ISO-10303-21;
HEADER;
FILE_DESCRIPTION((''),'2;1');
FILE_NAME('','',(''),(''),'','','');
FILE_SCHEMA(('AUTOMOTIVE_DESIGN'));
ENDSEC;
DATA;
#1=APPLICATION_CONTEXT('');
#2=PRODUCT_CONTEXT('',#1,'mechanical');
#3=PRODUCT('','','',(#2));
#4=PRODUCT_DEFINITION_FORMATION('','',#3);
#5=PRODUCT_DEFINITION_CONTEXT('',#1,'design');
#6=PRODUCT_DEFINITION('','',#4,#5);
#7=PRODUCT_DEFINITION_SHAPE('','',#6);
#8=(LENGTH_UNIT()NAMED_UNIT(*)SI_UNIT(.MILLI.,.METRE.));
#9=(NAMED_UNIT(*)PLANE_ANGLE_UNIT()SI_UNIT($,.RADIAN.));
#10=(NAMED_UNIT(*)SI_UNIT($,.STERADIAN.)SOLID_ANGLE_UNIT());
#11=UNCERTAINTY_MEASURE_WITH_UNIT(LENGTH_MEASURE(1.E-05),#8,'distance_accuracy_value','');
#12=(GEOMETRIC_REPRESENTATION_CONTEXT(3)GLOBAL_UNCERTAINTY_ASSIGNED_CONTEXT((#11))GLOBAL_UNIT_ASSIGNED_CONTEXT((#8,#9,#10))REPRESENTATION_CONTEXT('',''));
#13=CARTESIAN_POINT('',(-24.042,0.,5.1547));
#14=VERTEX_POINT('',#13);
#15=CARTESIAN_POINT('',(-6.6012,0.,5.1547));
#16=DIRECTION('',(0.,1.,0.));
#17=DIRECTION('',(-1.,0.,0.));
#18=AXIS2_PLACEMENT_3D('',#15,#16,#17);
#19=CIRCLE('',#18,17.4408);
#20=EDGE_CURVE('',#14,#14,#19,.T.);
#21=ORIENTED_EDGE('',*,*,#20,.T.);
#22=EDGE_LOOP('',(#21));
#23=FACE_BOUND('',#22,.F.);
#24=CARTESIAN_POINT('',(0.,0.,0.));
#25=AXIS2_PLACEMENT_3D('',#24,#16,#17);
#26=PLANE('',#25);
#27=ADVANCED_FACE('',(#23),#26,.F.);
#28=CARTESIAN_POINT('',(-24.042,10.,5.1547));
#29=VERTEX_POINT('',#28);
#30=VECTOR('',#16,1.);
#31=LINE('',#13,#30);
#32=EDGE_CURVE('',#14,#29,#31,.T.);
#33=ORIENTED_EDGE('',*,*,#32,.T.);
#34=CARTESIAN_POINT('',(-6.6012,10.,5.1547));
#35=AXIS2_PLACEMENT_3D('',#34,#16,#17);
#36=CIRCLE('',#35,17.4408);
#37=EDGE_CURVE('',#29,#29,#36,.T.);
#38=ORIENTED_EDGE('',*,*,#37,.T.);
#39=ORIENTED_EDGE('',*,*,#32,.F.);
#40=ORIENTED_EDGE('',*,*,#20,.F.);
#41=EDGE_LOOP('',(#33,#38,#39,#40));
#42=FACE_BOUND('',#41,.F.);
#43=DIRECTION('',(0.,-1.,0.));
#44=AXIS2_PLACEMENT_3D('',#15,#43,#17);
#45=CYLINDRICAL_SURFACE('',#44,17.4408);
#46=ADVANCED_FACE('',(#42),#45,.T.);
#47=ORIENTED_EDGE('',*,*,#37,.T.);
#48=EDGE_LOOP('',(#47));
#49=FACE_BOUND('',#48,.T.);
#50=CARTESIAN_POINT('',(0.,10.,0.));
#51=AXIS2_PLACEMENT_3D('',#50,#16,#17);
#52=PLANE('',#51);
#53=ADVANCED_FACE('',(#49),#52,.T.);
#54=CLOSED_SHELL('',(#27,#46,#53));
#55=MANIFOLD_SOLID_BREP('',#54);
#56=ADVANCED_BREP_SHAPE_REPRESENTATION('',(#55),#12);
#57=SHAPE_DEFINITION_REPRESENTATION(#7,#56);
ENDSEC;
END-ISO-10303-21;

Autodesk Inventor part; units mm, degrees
ref_plane "YZ Plane" through (0, 0, 0) normal (1, 0, 0) x (0, 1, 0)
ref_plane "XZ Plane" through (0, 0, 0) normal (0, 1, 0) x (-1, 0, 0)
ref_plane "XY Plane" through (0, 0, 0) normal (0, 0, 1) x (1, 0, 0)
sketch "Эскиз1" plane through (0, 0, 0) normal (0, 1, 0) x (-1, 0, 0)
  circle A0 centre (6.6012, 5.1547) radius 17.4408
  point P0 (0, 0)
  dimension "d0" = 10
extrude "Выдавливание1" add sketch "Эскиз1" along normal blind 10
properties part number "тест"
